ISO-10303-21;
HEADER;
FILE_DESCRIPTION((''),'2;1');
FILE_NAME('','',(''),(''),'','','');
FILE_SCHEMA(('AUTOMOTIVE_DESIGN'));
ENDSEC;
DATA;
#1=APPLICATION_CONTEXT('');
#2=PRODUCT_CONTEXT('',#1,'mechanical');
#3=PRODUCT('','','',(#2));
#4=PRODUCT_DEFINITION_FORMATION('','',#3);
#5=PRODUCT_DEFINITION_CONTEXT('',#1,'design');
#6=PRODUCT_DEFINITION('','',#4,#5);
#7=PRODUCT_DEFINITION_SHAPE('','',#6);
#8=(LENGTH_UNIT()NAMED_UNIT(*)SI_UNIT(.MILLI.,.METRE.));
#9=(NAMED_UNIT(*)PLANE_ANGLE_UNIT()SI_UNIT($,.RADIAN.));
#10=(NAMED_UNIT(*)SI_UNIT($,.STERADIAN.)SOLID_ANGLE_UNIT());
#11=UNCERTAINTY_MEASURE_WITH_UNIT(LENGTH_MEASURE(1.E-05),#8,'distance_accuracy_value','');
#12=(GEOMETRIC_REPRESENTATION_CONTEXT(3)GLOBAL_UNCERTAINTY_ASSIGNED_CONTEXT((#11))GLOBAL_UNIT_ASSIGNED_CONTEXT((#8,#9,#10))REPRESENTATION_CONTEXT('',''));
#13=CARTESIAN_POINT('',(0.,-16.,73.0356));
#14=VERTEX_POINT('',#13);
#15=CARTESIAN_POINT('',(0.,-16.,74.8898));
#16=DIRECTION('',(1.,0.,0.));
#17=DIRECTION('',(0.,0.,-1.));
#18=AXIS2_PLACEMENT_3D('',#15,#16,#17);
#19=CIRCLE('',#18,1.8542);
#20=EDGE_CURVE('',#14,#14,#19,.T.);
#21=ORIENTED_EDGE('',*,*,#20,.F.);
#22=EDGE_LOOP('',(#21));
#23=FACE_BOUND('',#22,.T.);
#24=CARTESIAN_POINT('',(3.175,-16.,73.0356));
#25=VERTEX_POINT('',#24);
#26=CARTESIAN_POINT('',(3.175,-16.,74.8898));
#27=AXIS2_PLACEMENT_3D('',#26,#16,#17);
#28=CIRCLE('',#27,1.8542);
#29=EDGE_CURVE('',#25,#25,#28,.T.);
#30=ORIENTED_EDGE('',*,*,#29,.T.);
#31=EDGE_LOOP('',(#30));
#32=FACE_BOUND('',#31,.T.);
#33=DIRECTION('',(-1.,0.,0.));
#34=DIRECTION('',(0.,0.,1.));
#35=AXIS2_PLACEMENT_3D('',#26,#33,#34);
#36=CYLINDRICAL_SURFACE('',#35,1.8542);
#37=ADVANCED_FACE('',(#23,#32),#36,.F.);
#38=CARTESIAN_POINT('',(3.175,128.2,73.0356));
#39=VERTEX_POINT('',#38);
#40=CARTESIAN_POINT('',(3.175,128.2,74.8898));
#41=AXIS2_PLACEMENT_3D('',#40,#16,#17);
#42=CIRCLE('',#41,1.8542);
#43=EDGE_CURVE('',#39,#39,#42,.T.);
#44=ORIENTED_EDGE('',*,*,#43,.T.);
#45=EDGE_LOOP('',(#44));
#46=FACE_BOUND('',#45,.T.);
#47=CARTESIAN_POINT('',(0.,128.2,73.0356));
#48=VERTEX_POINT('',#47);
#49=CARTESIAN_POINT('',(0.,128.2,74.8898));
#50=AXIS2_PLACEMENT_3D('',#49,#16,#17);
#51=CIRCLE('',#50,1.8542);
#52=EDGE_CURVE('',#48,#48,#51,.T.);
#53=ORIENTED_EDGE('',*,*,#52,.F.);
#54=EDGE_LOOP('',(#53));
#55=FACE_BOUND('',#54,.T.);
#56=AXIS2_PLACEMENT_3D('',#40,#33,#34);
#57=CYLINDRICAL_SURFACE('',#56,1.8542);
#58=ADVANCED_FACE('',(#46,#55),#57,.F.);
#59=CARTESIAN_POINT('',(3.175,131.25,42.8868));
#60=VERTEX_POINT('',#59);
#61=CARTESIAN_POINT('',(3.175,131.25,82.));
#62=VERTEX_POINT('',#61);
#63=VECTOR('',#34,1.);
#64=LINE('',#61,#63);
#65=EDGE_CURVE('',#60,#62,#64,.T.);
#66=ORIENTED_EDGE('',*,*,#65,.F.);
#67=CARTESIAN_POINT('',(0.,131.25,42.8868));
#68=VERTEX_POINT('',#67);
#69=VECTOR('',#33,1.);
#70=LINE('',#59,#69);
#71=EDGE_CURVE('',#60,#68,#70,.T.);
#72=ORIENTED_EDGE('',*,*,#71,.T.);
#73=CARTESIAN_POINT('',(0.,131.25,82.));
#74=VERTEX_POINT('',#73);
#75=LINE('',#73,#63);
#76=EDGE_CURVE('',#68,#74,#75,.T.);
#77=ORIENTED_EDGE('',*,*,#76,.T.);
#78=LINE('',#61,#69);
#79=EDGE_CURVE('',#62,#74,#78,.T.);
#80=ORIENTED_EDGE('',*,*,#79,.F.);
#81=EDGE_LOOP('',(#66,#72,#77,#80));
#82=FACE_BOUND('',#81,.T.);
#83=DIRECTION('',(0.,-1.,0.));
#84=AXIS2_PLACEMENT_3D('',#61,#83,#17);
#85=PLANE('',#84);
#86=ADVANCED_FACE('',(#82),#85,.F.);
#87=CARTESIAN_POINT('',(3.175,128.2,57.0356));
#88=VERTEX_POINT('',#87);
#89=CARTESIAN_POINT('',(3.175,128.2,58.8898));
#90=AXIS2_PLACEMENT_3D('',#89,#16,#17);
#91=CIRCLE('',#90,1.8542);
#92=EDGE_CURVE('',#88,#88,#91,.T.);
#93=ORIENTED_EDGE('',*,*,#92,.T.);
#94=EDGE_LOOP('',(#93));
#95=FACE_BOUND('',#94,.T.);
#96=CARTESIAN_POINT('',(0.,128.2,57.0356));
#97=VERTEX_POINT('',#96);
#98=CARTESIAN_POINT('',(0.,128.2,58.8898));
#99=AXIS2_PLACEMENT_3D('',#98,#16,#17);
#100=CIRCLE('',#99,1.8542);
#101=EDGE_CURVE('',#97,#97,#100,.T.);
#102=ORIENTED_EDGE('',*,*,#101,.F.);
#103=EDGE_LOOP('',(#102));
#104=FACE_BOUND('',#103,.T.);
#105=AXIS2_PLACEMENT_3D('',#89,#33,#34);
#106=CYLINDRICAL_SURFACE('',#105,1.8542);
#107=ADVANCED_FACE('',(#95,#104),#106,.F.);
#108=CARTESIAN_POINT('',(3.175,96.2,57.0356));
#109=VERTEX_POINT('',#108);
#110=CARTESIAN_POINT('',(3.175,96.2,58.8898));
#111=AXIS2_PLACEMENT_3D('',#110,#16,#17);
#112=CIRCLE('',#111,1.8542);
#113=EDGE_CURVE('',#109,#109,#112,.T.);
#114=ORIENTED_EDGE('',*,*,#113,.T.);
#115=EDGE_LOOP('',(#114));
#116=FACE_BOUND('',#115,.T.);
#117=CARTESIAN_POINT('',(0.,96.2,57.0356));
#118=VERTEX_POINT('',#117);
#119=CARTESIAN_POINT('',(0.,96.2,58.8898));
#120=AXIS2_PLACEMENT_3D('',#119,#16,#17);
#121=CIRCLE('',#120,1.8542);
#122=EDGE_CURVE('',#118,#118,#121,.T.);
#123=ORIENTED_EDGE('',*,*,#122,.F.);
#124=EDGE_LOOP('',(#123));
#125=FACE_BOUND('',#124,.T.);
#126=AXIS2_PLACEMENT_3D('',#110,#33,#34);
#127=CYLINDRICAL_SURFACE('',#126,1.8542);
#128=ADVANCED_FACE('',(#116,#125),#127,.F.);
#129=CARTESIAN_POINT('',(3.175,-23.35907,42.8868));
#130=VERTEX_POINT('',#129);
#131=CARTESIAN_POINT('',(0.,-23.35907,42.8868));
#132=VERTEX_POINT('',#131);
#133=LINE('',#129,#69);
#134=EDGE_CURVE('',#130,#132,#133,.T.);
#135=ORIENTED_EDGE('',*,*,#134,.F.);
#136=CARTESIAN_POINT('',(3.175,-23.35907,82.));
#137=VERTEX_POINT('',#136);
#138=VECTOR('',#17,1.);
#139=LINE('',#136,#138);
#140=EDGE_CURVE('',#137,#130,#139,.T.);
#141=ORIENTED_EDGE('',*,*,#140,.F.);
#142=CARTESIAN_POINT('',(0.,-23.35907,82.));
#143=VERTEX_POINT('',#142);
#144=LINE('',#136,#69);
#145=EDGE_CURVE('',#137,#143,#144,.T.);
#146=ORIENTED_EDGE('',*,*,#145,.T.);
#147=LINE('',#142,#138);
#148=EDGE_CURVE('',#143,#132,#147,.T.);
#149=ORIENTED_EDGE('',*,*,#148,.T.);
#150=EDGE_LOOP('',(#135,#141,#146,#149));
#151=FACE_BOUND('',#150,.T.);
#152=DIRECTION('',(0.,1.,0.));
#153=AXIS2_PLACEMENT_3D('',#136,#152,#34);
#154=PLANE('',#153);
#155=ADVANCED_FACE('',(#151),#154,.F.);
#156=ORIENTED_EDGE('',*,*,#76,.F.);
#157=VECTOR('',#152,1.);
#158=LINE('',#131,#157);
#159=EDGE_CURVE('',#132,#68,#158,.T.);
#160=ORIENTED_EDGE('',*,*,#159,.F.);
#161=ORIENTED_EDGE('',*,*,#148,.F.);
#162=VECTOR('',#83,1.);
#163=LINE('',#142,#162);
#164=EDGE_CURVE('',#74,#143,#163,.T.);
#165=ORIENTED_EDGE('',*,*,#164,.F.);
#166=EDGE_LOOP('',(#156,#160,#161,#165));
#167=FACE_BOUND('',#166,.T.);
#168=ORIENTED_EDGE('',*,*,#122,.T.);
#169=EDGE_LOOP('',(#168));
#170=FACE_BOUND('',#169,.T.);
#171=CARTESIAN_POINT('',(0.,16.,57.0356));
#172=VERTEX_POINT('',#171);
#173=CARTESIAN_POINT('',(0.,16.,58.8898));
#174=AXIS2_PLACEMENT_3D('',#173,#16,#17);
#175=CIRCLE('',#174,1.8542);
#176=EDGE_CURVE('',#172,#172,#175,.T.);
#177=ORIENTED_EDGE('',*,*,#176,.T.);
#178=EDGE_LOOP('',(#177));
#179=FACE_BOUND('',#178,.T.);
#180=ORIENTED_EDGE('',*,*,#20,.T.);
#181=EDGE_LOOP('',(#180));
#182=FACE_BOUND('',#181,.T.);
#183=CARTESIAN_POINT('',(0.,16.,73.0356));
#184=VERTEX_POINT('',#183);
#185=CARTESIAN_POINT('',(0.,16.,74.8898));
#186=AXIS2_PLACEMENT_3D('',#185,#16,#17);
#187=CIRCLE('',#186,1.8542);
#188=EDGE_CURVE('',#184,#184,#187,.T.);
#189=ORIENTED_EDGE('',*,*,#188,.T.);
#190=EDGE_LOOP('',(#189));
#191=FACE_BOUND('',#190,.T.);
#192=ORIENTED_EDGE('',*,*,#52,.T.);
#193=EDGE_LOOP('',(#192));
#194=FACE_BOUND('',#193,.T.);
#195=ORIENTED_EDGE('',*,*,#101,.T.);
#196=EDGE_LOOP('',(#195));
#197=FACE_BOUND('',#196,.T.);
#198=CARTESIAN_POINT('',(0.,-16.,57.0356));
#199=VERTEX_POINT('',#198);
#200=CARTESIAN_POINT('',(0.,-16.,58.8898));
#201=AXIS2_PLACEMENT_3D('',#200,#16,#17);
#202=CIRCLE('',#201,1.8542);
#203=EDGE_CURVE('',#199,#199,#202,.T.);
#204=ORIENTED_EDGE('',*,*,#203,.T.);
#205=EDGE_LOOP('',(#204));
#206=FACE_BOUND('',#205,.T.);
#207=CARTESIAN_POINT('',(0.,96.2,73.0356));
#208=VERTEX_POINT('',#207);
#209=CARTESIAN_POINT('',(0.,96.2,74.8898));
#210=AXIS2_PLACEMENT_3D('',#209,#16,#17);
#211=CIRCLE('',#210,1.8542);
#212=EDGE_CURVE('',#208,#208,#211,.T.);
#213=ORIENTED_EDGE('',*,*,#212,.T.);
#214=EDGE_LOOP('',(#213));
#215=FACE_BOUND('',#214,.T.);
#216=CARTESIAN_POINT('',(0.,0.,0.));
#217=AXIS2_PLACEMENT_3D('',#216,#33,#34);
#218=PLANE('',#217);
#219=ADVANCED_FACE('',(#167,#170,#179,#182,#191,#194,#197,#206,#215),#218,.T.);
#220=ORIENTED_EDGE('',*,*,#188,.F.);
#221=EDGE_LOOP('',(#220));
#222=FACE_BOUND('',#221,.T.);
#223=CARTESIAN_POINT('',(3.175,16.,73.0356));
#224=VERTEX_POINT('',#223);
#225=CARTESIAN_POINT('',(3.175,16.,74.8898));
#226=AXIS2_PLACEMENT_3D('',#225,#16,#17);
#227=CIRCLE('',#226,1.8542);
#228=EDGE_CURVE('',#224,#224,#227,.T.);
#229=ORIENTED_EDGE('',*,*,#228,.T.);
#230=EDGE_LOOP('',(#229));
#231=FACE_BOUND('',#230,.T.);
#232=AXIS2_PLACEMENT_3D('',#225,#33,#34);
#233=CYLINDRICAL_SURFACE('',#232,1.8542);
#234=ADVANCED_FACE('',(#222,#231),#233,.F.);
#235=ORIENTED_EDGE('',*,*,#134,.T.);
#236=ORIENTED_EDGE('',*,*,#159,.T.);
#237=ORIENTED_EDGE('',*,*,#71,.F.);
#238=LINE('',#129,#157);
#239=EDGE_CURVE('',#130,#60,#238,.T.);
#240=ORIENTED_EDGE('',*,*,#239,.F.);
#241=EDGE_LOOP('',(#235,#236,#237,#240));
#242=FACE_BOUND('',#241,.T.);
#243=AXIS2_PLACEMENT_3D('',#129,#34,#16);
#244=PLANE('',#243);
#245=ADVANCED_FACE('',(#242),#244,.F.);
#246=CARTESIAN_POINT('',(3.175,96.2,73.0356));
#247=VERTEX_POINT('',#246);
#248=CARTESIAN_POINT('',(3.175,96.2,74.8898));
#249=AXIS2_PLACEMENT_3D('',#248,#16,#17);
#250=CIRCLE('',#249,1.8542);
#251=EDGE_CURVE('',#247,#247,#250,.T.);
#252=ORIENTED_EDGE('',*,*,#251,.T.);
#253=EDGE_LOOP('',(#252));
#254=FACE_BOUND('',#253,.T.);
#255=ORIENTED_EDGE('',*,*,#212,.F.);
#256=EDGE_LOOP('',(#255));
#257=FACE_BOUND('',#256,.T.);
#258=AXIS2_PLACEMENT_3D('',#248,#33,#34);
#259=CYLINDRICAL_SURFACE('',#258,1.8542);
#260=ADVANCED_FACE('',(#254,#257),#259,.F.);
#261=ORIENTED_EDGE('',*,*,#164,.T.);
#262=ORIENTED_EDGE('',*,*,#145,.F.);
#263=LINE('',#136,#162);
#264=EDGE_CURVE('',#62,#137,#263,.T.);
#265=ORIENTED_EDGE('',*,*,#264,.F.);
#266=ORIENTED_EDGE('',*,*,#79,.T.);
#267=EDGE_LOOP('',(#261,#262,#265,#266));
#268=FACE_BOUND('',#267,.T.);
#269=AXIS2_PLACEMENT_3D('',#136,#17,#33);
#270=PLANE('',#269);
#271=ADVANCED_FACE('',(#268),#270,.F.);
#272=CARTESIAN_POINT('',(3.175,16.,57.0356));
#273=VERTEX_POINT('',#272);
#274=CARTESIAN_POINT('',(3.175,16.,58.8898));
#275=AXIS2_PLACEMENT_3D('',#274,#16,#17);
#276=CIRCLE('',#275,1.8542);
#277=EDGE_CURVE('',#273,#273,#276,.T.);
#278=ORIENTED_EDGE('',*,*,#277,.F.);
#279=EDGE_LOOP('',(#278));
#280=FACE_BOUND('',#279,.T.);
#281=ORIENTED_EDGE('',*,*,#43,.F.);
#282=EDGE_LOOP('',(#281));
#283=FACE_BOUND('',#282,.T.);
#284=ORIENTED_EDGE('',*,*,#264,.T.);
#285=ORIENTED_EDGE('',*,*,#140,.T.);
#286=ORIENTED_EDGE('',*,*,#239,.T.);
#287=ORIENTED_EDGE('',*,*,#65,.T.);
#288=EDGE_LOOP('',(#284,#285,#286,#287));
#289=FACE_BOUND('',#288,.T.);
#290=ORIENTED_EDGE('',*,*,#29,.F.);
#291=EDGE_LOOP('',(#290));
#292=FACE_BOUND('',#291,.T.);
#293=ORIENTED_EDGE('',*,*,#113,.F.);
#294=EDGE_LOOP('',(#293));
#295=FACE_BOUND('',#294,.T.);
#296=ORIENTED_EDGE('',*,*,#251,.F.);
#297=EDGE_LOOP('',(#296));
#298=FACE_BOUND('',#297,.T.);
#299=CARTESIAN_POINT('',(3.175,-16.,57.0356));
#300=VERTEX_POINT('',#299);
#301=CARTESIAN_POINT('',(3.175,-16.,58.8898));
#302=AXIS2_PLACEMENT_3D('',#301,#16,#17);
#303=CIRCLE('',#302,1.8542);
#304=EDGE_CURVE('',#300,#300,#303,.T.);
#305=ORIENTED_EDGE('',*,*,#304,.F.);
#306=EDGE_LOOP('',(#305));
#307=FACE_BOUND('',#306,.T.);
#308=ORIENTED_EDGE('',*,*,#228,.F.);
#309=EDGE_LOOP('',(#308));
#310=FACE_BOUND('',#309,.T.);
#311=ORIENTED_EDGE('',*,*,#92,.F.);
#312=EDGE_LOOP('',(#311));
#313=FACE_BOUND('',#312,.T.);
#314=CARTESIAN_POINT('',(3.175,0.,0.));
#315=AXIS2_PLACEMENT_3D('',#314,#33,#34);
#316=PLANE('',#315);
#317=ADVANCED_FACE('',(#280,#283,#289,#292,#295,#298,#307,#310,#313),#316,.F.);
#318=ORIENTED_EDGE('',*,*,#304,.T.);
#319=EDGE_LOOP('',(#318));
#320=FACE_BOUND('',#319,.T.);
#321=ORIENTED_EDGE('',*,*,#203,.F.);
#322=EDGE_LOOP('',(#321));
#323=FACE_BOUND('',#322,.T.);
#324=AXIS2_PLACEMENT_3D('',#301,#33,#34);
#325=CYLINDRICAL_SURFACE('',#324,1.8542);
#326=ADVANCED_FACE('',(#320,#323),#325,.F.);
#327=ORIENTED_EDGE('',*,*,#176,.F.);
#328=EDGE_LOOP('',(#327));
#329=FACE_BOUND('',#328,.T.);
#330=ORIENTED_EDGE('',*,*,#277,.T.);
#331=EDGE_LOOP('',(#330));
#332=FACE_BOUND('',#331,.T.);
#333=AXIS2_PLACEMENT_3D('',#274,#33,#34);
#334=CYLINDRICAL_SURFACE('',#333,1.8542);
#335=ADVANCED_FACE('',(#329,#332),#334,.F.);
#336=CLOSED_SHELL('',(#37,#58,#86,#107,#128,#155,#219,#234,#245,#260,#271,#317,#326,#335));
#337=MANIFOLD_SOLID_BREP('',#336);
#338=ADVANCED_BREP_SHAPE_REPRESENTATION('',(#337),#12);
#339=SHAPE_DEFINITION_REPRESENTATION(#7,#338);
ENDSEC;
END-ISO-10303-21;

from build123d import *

# Parameters (mm, degrees)
SKETCH1_W           = 39.1132
SKETCH1_H           = 154.609070214
SKETCH1_R           = 1.8542
BOSS_EXTRUDE1_DEPTH = 3.175


with BuildPart() as part:
    # Sketch1 → Boss-Extrude1 (new body)
    with BuildSketch(Plane(origin=(0, 0, 0), x_dir=(0, 0, -1), z_dir=(1, 0, 0))):
        with Locations((-62.4434, 53.945464893)):
            Rectangle(SKETCH1_W, SKETCH1_H)
        with Locations((-74.8898, -16.000000004)):
            Circle(SKETCH1_R, mode=Mode.SUBTRACT)
        with Locations((-58.8898, -16.000000004)):
            Circle(SKETCH1_R, mode=Mode.SUBTRACT)
        with Locations((-74.8898, 16.000000004)):
            Circle(SKETCH1_R, mode=Mode.SUBTRACT)
        with Locations((-58.8898, 16.000000004)):
            Circle(SKETCH1_R, mode=Mode.SUBTRACT)
        with Locations((-74.8898, 128.200000004)):
            Circle(SKETCH1_R, mode=Mode.SUBTRACT)
        with Locations((-58.8898, 128.200000004)):
            Circle(SKETCH1_R, mode=Mode.SUBTRACT)
        with Locations((-74.8898, 96.199999996)):
            Circle(SKETCH1_R, mode=Mode.SUBTRACT)
        with Locations((-58.8898, 96.199999996)):
            Circle(SKETCH1_R, mode=Mode.SUBTRACT)
    extrude(amount=BOSS_EXTRUDE1_DEPTH)


solid = part.part
